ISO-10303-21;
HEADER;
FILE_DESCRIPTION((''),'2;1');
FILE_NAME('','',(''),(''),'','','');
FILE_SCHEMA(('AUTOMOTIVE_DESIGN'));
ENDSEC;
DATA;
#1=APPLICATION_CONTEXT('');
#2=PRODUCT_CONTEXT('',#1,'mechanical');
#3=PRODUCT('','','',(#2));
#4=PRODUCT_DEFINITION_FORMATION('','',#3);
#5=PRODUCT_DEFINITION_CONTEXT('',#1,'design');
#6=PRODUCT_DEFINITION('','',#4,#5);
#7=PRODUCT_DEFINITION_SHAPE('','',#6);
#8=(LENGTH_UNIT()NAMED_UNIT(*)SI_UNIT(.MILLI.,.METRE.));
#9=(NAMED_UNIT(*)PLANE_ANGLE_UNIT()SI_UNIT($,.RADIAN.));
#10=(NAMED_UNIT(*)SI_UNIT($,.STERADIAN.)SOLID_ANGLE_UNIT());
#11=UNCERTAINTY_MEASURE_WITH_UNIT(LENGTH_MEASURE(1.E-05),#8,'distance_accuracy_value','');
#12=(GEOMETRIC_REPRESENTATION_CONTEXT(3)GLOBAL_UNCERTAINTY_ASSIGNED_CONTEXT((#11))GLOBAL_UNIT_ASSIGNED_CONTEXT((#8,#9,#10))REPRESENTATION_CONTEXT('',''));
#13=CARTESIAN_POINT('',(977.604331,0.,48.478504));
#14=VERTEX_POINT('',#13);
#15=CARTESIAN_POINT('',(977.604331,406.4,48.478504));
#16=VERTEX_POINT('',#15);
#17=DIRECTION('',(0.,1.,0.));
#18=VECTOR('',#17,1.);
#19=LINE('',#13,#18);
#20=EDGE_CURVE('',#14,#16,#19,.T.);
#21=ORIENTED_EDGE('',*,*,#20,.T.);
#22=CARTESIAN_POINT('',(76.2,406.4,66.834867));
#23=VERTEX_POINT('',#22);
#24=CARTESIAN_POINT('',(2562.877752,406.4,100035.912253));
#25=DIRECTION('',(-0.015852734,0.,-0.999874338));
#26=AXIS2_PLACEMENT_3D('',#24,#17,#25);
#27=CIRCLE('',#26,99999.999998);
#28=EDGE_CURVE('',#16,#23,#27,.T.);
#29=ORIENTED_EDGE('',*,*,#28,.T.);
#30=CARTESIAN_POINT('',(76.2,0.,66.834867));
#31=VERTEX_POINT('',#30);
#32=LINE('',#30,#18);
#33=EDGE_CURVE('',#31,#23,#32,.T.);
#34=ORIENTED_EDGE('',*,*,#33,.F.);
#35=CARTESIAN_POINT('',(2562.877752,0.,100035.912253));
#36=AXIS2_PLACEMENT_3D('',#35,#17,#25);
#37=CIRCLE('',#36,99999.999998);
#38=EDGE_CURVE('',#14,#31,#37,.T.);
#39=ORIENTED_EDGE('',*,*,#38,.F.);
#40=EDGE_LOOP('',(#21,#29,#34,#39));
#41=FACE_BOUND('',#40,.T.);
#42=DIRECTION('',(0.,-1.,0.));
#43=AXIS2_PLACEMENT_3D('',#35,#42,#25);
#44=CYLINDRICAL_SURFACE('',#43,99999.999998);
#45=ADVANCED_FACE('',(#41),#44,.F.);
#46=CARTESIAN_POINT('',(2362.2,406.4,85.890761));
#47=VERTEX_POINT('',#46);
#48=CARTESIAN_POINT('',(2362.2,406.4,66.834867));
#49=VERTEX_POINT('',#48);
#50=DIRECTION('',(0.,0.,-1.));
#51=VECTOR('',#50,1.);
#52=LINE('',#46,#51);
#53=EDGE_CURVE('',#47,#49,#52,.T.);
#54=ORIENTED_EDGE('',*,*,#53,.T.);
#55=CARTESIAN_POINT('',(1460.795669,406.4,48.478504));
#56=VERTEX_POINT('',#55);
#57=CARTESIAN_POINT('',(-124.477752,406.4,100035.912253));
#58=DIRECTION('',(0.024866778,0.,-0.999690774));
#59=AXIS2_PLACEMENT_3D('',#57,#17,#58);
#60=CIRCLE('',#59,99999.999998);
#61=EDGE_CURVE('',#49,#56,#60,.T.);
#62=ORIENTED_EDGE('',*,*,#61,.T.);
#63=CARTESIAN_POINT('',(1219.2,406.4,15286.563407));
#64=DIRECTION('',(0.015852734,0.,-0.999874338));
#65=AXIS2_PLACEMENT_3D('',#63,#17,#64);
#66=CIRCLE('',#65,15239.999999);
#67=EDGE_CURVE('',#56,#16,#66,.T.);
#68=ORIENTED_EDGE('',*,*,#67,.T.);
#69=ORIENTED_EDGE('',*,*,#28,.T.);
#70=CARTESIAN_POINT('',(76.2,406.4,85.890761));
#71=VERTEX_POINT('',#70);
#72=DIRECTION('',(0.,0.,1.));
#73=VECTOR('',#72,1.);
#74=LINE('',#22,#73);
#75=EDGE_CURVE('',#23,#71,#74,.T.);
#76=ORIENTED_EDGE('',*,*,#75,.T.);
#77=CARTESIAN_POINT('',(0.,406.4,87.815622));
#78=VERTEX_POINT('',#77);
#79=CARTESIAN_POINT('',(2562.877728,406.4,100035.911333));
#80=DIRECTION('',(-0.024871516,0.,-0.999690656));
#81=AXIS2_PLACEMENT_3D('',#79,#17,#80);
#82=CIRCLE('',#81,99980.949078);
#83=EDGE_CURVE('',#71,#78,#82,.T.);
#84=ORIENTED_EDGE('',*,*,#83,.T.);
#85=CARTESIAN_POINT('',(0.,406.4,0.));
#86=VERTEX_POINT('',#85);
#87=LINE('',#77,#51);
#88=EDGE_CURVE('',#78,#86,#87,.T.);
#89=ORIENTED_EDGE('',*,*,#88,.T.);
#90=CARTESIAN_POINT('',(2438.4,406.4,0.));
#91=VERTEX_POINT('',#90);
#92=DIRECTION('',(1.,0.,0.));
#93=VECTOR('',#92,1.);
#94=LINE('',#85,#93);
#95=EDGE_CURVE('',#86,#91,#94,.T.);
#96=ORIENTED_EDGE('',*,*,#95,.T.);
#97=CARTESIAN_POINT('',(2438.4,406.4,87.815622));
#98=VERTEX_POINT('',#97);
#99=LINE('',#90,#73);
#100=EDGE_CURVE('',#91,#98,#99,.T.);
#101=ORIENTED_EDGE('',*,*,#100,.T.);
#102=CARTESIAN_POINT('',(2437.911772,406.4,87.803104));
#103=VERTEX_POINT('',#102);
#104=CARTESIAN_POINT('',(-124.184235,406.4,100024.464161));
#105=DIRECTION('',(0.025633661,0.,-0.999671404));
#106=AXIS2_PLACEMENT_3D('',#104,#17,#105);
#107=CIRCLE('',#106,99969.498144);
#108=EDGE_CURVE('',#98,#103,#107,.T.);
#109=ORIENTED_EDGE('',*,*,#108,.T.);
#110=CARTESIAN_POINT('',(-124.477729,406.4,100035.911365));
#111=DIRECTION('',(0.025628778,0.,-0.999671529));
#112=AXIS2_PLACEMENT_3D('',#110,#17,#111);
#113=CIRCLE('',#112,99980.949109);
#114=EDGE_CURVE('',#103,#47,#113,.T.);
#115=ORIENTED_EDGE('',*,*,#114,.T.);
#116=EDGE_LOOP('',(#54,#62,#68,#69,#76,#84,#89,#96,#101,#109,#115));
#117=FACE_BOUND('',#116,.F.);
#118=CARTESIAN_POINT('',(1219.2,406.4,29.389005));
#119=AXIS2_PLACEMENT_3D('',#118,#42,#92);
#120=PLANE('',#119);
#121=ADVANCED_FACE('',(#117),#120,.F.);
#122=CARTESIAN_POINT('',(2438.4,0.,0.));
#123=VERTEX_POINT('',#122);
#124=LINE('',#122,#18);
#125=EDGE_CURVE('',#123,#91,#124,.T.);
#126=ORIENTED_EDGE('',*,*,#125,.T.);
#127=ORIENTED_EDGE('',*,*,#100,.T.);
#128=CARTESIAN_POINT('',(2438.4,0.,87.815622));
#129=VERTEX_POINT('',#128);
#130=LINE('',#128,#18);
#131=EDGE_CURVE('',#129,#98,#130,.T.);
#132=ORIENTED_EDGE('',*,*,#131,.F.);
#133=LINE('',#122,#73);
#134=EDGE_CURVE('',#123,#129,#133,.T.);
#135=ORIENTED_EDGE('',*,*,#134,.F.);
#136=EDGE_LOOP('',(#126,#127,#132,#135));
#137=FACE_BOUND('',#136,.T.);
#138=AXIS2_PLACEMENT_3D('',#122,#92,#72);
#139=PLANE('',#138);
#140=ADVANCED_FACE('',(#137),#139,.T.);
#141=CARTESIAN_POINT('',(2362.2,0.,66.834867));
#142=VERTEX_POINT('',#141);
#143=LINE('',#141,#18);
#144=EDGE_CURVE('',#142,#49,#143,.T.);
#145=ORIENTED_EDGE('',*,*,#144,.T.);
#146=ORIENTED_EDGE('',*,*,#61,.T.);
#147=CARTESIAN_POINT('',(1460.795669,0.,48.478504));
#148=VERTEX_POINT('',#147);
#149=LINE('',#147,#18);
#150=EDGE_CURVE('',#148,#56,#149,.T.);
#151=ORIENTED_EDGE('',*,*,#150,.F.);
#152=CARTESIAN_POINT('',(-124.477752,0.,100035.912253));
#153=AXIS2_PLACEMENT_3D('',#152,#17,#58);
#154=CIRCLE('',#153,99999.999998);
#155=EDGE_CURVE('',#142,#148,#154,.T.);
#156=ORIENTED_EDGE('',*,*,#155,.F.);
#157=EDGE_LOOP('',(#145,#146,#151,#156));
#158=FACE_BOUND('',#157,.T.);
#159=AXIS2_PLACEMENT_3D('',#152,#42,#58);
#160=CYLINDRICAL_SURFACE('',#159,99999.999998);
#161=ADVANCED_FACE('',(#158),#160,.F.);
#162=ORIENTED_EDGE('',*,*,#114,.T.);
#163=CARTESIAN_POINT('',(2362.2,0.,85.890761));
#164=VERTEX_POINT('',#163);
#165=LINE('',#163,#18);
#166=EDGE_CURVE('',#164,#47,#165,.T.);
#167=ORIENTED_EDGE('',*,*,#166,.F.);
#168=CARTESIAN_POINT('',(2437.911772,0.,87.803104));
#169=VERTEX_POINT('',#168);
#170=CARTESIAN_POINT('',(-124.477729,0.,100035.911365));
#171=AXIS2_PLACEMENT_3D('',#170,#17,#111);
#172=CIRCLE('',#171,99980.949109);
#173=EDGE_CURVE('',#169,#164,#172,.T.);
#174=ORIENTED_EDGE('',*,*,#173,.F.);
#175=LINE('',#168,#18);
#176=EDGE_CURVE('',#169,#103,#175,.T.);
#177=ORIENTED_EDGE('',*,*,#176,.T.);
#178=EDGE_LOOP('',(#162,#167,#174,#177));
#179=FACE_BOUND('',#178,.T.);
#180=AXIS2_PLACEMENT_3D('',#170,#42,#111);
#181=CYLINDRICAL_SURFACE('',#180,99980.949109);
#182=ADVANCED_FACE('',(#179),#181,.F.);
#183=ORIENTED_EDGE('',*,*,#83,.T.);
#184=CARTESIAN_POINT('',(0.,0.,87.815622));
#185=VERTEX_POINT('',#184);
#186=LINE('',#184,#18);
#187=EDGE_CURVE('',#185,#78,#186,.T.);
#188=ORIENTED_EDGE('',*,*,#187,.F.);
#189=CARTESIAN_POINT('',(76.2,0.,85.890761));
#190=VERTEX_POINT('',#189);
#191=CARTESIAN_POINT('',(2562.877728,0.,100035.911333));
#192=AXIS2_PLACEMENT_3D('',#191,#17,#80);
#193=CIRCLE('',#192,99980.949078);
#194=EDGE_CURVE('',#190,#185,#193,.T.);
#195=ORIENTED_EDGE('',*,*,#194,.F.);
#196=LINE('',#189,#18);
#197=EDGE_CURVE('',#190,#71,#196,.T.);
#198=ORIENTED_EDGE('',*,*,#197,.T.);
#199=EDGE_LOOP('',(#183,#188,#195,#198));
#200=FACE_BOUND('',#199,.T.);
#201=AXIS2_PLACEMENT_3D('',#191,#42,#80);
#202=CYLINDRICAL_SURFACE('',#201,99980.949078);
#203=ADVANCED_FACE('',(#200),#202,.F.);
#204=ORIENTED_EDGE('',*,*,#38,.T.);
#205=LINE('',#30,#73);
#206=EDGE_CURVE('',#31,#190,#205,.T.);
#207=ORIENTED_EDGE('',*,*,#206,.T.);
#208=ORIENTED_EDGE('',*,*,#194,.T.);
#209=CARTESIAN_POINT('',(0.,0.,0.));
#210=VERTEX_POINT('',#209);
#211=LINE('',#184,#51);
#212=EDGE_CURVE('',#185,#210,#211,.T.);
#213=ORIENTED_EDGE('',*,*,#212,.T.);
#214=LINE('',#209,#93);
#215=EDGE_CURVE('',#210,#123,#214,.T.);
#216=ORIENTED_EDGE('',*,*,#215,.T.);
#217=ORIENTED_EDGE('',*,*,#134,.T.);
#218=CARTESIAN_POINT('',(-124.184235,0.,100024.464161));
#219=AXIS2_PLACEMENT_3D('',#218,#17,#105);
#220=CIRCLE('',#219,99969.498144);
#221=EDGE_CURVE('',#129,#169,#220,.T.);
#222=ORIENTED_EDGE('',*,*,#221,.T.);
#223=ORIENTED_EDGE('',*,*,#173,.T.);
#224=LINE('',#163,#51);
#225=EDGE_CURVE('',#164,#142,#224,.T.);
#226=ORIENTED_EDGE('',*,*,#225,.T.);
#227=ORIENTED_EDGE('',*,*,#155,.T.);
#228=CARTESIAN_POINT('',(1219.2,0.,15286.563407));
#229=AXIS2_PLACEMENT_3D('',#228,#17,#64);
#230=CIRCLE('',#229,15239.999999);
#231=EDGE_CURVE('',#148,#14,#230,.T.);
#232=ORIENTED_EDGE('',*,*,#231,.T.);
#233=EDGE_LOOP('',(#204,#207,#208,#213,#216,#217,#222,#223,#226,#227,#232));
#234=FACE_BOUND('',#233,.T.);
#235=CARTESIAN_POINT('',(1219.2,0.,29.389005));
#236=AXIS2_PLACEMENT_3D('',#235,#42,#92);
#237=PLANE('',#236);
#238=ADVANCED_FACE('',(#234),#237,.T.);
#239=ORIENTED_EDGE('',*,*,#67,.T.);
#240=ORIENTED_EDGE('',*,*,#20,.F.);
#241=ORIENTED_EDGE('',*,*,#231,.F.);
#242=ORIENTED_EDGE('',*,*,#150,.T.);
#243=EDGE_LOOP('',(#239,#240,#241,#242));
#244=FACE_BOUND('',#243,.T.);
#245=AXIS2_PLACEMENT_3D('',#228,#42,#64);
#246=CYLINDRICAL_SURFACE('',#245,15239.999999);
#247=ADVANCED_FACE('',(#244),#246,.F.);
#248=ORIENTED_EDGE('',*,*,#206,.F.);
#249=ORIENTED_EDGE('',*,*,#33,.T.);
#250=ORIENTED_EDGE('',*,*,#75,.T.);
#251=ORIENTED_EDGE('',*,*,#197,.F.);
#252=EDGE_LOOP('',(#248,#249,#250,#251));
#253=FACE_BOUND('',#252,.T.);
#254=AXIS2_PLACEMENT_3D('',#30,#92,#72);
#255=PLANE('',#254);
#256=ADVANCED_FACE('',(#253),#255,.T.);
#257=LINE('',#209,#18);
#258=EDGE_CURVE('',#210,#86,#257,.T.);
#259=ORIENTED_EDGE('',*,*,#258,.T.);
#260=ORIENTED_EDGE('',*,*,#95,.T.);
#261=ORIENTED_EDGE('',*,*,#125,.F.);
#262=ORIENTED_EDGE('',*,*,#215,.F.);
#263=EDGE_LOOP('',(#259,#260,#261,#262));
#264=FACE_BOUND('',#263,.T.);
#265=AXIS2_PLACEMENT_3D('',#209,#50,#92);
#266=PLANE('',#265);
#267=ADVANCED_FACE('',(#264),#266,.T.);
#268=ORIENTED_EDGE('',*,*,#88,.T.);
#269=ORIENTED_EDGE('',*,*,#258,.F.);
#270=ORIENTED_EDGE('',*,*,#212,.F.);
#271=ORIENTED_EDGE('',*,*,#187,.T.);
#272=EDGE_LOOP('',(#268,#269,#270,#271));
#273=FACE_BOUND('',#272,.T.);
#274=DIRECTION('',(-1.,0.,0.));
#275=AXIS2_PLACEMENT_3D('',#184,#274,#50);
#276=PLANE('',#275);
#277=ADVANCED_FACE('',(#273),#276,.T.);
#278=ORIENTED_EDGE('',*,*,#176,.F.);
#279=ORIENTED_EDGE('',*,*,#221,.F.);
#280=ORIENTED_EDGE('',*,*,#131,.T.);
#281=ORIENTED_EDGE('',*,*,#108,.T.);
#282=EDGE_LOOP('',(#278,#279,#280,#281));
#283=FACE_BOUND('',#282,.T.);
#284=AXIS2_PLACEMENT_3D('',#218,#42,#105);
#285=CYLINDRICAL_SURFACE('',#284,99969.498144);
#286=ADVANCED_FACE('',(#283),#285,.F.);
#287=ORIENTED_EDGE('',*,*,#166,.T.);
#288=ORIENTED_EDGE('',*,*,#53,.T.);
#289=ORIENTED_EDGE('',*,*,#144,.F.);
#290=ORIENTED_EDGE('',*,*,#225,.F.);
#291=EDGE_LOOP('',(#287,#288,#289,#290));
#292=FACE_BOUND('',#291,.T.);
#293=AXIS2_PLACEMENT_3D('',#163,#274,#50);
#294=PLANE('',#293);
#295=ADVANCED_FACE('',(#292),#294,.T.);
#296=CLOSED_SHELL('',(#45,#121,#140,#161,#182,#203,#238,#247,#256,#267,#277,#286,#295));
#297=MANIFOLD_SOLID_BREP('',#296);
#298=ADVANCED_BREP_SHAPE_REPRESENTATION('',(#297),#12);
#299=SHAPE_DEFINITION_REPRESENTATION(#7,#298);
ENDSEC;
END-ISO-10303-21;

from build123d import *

# Parameters (mm, degrees)
F1_DEPTH = 406.4


with BuildPart() as f1:
    # F0 (on Front) → F1 (new body)
    with BuildSketch(Plane.XZ):
        with BuildLine():
            Line((0, 87.8156221902), (0, 0))
            Line((0, 0), (2438.4, 0))
            Line((2438.4, 0), (2438.4, 87.8156221902))
            ThreePointArc((2438.4, 87.8156221902), (2438.1558859018, 87.8093628936), (2437.9117717883, 87.8031041933))
            ThreePointArc((2437.9117717883, 87.8031041934), (2400.05606697, 86.8397636055), (2362.2, 85.8907610012))
            Line((2362.2, 85.8907610012), (2362.2, 66.8348672982))
            ThreePointArc((2362.2, 66.8348672982), (1911.5185221995, 56.6408075561), (1460.7956693483, 48.478503706))
            ThreePointArc((1460.7956693483, 48.478503706), (1340.0016297921, 47.0421890062), (1219.2, 46.563407412))
            ThreePointArc((1219.2, 46.563407412), (1098.3983702079, 47.0421890062), (977.6043306517, 48.478503706))
            ThreePointArc((977.6043306517, 48.478503706), (526.8814778005, 56.6408075561), (76.2, 66.8348672982))
            Line((76.2, 66.8348672982), (76.2, 85.8907610012))
            ThreePointArc((76.2, 85.8907610012), (38.0998165635, 86.8459298467), (0, 87.8156221902))
        make_face()
    extrude(amount=-F1_DEPTH)


solid = f1.part
